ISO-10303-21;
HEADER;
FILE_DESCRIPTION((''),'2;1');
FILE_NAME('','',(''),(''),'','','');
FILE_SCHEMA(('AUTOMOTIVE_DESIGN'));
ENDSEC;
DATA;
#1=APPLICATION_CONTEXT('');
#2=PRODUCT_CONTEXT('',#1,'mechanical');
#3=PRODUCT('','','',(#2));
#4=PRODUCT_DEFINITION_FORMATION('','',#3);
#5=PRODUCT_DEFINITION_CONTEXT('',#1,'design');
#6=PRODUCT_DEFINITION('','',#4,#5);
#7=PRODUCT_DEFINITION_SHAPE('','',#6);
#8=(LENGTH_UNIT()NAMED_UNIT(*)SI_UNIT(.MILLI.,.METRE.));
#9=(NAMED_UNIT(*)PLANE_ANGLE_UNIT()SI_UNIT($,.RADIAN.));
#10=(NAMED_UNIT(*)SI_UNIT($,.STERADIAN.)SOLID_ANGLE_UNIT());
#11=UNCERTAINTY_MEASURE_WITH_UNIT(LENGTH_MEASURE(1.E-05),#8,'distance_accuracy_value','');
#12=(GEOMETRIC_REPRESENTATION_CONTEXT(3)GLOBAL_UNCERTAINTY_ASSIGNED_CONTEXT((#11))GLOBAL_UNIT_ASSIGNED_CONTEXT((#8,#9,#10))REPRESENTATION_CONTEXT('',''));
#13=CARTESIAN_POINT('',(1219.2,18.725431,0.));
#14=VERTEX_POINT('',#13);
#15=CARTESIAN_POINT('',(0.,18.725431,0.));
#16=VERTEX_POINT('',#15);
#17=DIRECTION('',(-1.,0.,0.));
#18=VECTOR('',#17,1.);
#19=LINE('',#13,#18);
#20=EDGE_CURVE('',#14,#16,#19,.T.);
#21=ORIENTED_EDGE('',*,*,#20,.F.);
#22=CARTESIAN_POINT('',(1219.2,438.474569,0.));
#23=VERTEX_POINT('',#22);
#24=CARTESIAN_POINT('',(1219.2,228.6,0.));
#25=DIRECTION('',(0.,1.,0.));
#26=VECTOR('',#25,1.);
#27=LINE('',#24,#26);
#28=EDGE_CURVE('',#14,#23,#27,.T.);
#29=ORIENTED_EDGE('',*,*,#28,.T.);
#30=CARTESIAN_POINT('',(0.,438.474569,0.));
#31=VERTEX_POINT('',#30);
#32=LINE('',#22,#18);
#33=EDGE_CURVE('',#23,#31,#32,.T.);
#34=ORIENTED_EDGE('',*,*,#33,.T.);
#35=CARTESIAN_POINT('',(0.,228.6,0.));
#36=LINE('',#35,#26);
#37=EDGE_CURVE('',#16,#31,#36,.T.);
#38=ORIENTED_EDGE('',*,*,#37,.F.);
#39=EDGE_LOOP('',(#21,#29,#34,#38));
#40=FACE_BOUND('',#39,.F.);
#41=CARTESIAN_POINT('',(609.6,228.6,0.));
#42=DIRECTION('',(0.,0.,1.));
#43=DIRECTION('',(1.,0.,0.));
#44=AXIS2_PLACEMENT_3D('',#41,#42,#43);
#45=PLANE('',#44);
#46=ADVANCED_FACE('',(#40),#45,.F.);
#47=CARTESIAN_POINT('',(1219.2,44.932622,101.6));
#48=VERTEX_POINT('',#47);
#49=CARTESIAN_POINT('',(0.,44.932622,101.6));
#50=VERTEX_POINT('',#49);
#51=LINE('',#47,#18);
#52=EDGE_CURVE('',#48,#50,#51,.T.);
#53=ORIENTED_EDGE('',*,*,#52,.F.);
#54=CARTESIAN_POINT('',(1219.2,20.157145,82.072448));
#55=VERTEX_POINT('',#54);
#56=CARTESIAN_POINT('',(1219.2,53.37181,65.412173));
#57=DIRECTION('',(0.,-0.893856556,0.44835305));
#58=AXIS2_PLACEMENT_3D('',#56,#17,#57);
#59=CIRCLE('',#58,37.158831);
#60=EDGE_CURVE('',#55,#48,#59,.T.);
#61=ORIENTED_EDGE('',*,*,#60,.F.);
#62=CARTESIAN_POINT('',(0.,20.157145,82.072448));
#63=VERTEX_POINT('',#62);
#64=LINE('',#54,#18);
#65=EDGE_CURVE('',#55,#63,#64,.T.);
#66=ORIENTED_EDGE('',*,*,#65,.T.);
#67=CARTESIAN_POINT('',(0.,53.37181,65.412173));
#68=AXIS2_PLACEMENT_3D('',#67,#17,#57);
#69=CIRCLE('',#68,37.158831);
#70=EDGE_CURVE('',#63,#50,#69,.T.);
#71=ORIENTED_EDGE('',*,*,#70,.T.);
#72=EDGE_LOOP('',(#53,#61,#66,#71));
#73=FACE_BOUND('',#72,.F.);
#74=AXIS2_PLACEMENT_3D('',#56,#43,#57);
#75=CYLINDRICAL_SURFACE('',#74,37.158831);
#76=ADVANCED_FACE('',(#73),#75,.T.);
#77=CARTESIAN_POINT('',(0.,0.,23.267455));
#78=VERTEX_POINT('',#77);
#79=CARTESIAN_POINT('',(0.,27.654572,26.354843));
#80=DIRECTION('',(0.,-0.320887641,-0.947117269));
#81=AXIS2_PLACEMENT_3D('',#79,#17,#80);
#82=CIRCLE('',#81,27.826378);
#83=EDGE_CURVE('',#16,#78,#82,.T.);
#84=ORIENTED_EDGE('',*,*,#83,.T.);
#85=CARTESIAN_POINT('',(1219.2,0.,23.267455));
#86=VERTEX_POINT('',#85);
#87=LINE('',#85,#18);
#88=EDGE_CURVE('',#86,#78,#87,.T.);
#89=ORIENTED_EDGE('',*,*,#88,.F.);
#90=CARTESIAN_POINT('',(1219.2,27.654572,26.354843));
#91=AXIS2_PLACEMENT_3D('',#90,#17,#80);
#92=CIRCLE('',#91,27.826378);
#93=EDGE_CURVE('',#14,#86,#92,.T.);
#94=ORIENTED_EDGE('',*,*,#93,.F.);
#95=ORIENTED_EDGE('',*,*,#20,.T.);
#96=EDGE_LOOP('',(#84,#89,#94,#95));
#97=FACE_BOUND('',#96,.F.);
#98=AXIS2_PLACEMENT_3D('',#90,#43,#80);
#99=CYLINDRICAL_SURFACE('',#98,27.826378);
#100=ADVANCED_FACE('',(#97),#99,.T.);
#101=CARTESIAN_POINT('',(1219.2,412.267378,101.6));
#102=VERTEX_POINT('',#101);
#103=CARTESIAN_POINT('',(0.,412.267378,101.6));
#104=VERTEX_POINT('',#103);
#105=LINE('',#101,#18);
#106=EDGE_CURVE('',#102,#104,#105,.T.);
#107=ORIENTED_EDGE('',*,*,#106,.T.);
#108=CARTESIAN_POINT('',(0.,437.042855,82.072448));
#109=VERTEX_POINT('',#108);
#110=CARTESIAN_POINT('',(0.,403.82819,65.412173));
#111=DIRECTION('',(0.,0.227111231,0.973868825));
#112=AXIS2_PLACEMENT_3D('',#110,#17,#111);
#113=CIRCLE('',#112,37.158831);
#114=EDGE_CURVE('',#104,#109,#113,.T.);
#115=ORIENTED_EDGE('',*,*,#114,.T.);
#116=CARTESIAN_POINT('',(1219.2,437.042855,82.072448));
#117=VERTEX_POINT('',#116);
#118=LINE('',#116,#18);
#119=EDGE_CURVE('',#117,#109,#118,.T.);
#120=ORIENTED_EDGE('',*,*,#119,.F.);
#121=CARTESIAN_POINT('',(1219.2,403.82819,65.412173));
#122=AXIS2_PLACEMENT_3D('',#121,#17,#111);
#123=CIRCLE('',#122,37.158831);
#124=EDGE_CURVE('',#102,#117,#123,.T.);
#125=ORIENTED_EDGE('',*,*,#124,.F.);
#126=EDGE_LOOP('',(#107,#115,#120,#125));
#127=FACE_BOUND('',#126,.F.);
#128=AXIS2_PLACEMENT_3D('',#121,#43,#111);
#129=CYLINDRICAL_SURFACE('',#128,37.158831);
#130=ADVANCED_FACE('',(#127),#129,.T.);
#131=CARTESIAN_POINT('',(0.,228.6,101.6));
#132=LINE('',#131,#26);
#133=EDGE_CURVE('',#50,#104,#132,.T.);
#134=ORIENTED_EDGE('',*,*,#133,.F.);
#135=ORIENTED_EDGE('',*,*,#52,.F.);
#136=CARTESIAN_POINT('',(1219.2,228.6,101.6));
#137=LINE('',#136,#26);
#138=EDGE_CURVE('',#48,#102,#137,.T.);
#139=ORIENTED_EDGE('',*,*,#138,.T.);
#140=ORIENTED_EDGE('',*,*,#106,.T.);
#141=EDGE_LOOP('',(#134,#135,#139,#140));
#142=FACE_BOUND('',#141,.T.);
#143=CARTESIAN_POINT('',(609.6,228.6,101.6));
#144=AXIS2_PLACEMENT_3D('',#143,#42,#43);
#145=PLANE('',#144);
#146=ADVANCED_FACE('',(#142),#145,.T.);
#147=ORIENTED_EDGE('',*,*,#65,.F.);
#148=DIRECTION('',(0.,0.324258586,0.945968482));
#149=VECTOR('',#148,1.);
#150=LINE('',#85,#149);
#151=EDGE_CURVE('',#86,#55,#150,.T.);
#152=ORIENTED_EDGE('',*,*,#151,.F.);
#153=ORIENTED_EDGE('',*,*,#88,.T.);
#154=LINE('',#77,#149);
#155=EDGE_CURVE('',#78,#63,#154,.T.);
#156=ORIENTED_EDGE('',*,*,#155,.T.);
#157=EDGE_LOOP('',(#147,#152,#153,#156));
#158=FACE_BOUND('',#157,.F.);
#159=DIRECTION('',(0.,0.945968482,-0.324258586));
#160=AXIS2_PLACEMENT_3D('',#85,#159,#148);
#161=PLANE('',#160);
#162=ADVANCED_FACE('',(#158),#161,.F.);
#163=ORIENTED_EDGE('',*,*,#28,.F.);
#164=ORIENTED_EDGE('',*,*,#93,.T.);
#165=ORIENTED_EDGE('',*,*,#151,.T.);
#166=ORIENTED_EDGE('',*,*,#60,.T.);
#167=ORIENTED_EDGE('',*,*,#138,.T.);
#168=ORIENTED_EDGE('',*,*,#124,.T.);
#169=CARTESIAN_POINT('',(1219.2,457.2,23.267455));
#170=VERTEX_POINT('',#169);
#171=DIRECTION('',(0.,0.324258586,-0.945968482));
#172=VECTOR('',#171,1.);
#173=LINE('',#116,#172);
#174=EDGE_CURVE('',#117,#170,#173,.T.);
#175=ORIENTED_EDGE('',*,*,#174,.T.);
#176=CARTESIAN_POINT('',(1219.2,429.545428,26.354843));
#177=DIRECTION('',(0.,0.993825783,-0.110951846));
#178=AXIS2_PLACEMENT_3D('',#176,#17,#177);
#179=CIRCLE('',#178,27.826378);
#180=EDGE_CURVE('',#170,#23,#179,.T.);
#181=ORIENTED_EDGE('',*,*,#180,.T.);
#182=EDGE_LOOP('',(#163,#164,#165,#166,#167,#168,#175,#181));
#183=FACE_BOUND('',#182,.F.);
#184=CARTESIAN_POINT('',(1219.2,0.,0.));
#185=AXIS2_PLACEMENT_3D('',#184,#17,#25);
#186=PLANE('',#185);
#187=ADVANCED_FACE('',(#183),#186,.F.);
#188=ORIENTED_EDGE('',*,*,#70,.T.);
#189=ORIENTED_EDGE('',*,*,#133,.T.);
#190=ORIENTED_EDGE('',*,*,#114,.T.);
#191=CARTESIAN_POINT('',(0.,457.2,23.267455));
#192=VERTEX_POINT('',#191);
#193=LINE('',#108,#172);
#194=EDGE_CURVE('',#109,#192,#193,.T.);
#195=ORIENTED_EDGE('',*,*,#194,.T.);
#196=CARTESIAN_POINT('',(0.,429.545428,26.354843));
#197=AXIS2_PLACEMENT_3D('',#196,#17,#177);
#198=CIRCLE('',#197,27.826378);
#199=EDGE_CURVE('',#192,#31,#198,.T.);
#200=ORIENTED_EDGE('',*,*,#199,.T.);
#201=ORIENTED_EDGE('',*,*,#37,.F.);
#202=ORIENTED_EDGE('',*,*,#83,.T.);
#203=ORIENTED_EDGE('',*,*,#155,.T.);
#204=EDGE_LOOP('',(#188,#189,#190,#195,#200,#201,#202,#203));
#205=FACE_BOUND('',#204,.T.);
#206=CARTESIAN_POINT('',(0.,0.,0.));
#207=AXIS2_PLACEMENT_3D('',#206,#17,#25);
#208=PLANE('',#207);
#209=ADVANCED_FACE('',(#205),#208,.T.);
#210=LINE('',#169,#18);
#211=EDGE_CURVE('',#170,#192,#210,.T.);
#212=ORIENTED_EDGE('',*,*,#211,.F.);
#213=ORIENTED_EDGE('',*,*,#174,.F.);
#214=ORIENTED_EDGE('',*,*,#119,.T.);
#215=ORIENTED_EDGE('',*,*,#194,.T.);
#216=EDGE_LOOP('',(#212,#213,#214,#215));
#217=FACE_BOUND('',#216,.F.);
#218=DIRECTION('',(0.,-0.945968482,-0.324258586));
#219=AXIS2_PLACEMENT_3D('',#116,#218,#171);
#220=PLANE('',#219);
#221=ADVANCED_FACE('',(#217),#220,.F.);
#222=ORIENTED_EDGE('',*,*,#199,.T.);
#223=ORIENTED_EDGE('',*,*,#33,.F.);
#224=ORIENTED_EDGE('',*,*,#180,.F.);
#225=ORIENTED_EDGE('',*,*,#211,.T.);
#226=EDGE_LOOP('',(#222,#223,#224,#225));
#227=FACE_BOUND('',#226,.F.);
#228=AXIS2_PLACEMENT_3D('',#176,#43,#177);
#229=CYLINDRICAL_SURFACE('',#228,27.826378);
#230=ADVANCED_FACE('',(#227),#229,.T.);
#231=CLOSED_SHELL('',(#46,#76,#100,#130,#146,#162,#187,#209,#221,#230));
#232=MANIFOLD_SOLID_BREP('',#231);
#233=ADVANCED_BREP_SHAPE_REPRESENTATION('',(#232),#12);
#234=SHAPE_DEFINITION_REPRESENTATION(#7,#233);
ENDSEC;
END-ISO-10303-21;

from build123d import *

# Parameters (mm, degrees)
F0_W     = 1219.2
F0_H     = 457.2
F1_DEPTH = 101.6
F3_DEPTH = 1219.2


with BuildPart() as f1:
    # F0 (on Top) → F1 (new body)
    with BuildSketch(Plane.XY):
        with Locations((609.6, 228.6)):
            Rectangle(F0_W, F0_H)
    extrude(amount=F1_DEPTH)

    # F2 (on face) → F3 (cut, through all)
    with BuildSketch(Plane.YZ.offset(1219.2)):
        with BuildLine():
            Line((0, 101.6), (0, 23.267455))
            Line((0, 23.267455), (20.157145, 82.072448))
            ThreePointArc((20.157145, 82.072448), (30.369806, 94.595842), (44.932622, 101.6))
            Line((44.932622, 101.6), (26.850789, 101.6))
            Line((26.850789, 101.6), (0, 101.6))
        make_face()
        with BuildLine():
            ThreePointArc((18.725431, 0), (5.976573, 8.908592), (0, 23.267455))
            Line((0, 23.267455), (0, 0))
            Line((0, 0), (18.725431, 0))
        make_face()
        with BuildLine():
            Line((430.349211, 101.6), (412.267378, 101.6))
            ThreePointArc((412.267378, 101.6), (426.830194, 94.595842), (437.042855, 82.072448))
            Line((437.042855, 82.072448), (430.349211, 101.6))
        make_face()
        with BuildLine():
            Line((457.2, 0), (457.2, 23.267455))
            ThreePointArc((457.2, 23.267455), (451.223427, 8.908592), (438.474569, 0))
            Line((438.474569, 0), (457.2, 0))
        make_face()
        Polygon((430.349211, 101.6), (437.042855, 82.072448), (457.2, 23.267455), (457.2, 101.6), align=None)
    extrude(amount=-F3_DEPTH, mode=Mode.SUBTRACT)


solid = f1.part
